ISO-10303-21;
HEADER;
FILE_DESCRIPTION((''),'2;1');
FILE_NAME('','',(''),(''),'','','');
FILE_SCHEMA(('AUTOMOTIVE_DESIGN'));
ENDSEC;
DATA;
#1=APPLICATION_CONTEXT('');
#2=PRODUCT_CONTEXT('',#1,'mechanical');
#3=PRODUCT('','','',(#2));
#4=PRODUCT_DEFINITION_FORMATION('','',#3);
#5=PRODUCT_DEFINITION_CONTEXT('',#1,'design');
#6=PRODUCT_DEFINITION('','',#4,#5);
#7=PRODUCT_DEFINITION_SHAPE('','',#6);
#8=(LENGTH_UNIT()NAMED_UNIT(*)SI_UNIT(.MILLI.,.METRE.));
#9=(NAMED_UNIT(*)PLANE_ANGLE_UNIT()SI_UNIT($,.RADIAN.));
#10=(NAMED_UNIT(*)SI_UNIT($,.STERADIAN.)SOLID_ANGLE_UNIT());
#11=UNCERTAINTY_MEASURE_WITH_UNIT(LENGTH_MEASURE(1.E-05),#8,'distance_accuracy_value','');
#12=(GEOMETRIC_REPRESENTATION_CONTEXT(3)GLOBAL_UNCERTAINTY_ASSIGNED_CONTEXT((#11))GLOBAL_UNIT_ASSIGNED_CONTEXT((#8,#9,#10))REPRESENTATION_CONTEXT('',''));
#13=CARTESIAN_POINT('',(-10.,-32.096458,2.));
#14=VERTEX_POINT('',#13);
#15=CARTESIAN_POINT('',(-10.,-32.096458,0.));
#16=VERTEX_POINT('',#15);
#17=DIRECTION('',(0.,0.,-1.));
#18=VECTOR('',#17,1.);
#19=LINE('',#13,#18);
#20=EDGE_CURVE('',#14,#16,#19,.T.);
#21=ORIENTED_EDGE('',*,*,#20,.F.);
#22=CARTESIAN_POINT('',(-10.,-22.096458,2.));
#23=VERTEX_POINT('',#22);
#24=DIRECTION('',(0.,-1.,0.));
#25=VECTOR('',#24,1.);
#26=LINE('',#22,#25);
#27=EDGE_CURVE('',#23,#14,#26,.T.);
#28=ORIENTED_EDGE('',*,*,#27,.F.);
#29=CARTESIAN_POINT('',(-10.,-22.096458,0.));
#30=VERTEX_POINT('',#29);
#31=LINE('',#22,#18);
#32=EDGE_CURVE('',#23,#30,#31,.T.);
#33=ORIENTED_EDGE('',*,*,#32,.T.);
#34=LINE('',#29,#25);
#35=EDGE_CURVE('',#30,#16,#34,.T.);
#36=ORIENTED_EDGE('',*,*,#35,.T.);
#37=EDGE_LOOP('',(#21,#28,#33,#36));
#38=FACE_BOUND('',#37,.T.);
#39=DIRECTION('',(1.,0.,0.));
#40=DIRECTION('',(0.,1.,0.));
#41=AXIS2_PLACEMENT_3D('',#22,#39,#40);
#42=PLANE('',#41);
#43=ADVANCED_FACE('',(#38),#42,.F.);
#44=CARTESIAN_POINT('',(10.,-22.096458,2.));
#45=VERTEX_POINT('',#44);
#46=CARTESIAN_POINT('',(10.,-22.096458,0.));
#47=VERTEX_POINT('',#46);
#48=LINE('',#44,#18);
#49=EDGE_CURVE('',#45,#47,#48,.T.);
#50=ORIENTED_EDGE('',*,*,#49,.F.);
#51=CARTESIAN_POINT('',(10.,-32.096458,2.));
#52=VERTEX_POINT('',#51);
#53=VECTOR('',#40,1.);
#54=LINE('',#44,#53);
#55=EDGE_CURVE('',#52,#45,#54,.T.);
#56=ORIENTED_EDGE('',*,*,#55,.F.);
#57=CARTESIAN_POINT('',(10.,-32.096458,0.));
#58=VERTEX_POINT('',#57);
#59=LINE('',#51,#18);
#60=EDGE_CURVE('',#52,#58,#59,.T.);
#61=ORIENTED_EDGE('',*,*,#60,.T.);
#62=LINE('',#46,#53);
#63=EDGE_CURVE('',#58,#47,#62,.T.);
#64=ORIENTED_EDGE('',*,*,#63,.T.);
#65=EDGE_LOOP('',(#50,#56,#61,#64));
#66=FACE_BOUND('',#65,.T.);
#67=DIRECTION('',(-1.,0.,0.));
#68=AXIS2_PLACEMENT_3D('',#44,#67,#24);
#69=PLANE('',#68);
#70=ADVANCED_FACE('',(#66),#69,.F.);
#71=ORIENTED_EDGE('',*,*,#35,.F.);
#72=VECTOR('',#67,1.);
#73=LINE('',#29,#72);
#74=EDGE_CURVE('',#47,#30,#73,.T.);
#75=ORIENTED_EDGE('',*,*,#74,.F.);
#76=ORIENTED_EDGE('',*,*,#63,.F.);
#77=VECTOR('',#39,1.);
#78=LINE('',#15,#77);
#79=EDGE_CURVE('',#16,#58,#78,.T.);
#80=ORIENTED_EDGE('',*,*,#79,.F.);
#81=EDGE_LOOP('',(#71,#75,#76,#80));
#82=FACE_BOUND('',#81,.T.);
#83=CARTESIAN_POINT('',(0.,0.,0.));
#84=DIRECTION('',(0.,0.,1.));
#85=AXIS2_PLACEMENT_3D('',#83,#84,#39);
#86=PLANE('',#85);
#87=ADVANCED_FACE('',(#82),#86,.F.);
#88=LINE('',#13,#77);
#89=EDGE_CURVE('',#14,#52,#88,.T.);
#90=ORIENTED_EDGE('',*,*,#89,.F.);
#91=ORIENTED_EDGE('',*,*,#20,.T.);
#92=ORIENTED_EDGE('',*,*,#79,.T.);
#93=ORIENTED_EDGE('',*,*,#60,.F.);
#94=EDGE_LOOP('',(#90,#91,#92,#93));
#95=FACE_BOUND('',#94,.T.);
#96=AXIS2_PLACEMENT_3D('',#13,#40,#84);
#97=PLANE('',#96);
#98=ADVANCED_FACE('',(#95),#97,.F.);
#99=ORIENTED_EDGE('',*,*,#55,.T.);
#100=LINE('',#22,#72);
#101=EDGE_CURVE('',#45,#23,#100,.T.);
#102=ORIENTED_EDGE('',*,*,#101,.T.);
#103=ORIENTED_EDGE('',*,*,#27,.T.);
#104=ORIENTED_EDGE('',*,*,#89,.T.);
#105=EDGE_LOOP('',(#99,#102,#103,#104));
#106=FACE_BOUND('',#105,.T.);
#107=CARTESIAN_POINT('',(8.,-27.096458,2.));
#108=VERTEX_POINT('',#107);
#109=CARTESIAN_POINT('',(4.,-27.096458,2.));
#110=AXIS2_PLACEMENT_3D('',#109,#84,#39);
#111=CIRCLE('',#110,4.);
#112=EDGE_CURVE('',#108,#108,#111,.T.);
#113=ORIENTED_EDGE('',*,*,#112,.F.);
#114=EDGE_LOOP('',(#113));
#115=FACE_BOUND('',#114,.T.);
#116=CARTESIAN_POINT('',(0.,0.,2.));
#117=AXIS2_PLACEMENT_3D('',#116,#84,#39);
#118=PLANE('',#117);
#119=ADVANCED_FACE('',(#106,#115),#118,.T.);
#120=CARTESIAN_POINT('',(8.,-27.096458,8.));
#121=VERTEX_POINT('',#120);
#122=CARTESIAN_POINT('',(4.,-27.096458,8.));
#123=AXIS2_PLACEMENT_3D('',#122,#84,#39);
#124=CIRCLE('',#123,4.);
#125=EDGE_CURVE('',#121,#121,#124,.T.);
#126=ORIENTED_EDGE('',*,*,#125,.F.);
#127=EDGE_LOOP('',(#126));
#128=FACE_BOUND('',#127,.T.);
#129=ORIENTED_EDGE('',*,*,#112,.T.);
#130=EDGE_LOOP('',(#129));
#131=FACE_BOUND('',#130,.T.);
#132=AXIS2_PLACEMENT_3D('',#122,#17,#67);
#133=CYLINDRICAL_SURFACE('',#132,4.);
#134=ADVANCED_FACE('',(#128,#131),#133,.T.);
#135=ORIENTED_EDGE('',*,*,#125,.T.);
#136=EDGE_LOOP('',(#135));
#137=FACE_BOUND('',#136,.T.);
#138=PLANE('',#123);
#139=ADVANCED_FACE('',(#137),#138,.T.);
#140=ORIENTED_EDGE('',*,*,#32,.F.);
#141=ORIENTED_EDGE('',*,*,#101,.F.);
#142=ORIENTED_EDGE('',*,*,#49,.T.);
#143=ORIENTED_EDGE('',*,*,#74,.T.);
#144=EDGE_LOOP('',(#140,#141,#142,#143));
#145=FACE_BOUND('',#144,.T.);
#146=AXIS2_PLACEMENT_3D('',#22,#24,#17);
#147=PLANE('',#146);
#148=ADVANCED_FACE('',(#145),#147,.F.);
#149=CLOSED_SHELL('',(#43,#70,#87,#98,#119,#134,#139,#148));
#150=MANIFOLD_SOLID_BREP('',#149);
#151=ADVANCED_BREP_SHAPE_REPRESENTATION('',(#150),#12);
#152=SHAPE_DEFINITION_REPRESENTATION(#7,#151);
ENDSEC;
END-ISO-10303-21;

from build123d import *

# Parameters (mm, degrees)
SKETCH1_W           = 20
SKETCH1_H           = 10
BOSS_EXTRUDE1_DEPTH = 2
SKETCH2_R           = 4
BOSS_EXTRUDE2_DEPTH = 6


with BuildPart() as part:
    # Sketch1 → Boss-Extrude1 (new body)
    with BuildSketch(Plane.XY):
        with Locations((0, -27.096458497)):
            Rectangle(SKETCH1_W, SKETCH1_H)
    extrude(amount=BOSS_EXTRUDE1_DEPTH)

    # Sketch2 → Boss-Extrude2 (add)
    with BuildSketch(Plane.XY.offset(2)):
        with Locations((4, -27.096458497)):
            Circle(SKETCH2_R)
    extrude(amount=BOSS_EXTRUDE2_DEPTH)


solid = part.part
